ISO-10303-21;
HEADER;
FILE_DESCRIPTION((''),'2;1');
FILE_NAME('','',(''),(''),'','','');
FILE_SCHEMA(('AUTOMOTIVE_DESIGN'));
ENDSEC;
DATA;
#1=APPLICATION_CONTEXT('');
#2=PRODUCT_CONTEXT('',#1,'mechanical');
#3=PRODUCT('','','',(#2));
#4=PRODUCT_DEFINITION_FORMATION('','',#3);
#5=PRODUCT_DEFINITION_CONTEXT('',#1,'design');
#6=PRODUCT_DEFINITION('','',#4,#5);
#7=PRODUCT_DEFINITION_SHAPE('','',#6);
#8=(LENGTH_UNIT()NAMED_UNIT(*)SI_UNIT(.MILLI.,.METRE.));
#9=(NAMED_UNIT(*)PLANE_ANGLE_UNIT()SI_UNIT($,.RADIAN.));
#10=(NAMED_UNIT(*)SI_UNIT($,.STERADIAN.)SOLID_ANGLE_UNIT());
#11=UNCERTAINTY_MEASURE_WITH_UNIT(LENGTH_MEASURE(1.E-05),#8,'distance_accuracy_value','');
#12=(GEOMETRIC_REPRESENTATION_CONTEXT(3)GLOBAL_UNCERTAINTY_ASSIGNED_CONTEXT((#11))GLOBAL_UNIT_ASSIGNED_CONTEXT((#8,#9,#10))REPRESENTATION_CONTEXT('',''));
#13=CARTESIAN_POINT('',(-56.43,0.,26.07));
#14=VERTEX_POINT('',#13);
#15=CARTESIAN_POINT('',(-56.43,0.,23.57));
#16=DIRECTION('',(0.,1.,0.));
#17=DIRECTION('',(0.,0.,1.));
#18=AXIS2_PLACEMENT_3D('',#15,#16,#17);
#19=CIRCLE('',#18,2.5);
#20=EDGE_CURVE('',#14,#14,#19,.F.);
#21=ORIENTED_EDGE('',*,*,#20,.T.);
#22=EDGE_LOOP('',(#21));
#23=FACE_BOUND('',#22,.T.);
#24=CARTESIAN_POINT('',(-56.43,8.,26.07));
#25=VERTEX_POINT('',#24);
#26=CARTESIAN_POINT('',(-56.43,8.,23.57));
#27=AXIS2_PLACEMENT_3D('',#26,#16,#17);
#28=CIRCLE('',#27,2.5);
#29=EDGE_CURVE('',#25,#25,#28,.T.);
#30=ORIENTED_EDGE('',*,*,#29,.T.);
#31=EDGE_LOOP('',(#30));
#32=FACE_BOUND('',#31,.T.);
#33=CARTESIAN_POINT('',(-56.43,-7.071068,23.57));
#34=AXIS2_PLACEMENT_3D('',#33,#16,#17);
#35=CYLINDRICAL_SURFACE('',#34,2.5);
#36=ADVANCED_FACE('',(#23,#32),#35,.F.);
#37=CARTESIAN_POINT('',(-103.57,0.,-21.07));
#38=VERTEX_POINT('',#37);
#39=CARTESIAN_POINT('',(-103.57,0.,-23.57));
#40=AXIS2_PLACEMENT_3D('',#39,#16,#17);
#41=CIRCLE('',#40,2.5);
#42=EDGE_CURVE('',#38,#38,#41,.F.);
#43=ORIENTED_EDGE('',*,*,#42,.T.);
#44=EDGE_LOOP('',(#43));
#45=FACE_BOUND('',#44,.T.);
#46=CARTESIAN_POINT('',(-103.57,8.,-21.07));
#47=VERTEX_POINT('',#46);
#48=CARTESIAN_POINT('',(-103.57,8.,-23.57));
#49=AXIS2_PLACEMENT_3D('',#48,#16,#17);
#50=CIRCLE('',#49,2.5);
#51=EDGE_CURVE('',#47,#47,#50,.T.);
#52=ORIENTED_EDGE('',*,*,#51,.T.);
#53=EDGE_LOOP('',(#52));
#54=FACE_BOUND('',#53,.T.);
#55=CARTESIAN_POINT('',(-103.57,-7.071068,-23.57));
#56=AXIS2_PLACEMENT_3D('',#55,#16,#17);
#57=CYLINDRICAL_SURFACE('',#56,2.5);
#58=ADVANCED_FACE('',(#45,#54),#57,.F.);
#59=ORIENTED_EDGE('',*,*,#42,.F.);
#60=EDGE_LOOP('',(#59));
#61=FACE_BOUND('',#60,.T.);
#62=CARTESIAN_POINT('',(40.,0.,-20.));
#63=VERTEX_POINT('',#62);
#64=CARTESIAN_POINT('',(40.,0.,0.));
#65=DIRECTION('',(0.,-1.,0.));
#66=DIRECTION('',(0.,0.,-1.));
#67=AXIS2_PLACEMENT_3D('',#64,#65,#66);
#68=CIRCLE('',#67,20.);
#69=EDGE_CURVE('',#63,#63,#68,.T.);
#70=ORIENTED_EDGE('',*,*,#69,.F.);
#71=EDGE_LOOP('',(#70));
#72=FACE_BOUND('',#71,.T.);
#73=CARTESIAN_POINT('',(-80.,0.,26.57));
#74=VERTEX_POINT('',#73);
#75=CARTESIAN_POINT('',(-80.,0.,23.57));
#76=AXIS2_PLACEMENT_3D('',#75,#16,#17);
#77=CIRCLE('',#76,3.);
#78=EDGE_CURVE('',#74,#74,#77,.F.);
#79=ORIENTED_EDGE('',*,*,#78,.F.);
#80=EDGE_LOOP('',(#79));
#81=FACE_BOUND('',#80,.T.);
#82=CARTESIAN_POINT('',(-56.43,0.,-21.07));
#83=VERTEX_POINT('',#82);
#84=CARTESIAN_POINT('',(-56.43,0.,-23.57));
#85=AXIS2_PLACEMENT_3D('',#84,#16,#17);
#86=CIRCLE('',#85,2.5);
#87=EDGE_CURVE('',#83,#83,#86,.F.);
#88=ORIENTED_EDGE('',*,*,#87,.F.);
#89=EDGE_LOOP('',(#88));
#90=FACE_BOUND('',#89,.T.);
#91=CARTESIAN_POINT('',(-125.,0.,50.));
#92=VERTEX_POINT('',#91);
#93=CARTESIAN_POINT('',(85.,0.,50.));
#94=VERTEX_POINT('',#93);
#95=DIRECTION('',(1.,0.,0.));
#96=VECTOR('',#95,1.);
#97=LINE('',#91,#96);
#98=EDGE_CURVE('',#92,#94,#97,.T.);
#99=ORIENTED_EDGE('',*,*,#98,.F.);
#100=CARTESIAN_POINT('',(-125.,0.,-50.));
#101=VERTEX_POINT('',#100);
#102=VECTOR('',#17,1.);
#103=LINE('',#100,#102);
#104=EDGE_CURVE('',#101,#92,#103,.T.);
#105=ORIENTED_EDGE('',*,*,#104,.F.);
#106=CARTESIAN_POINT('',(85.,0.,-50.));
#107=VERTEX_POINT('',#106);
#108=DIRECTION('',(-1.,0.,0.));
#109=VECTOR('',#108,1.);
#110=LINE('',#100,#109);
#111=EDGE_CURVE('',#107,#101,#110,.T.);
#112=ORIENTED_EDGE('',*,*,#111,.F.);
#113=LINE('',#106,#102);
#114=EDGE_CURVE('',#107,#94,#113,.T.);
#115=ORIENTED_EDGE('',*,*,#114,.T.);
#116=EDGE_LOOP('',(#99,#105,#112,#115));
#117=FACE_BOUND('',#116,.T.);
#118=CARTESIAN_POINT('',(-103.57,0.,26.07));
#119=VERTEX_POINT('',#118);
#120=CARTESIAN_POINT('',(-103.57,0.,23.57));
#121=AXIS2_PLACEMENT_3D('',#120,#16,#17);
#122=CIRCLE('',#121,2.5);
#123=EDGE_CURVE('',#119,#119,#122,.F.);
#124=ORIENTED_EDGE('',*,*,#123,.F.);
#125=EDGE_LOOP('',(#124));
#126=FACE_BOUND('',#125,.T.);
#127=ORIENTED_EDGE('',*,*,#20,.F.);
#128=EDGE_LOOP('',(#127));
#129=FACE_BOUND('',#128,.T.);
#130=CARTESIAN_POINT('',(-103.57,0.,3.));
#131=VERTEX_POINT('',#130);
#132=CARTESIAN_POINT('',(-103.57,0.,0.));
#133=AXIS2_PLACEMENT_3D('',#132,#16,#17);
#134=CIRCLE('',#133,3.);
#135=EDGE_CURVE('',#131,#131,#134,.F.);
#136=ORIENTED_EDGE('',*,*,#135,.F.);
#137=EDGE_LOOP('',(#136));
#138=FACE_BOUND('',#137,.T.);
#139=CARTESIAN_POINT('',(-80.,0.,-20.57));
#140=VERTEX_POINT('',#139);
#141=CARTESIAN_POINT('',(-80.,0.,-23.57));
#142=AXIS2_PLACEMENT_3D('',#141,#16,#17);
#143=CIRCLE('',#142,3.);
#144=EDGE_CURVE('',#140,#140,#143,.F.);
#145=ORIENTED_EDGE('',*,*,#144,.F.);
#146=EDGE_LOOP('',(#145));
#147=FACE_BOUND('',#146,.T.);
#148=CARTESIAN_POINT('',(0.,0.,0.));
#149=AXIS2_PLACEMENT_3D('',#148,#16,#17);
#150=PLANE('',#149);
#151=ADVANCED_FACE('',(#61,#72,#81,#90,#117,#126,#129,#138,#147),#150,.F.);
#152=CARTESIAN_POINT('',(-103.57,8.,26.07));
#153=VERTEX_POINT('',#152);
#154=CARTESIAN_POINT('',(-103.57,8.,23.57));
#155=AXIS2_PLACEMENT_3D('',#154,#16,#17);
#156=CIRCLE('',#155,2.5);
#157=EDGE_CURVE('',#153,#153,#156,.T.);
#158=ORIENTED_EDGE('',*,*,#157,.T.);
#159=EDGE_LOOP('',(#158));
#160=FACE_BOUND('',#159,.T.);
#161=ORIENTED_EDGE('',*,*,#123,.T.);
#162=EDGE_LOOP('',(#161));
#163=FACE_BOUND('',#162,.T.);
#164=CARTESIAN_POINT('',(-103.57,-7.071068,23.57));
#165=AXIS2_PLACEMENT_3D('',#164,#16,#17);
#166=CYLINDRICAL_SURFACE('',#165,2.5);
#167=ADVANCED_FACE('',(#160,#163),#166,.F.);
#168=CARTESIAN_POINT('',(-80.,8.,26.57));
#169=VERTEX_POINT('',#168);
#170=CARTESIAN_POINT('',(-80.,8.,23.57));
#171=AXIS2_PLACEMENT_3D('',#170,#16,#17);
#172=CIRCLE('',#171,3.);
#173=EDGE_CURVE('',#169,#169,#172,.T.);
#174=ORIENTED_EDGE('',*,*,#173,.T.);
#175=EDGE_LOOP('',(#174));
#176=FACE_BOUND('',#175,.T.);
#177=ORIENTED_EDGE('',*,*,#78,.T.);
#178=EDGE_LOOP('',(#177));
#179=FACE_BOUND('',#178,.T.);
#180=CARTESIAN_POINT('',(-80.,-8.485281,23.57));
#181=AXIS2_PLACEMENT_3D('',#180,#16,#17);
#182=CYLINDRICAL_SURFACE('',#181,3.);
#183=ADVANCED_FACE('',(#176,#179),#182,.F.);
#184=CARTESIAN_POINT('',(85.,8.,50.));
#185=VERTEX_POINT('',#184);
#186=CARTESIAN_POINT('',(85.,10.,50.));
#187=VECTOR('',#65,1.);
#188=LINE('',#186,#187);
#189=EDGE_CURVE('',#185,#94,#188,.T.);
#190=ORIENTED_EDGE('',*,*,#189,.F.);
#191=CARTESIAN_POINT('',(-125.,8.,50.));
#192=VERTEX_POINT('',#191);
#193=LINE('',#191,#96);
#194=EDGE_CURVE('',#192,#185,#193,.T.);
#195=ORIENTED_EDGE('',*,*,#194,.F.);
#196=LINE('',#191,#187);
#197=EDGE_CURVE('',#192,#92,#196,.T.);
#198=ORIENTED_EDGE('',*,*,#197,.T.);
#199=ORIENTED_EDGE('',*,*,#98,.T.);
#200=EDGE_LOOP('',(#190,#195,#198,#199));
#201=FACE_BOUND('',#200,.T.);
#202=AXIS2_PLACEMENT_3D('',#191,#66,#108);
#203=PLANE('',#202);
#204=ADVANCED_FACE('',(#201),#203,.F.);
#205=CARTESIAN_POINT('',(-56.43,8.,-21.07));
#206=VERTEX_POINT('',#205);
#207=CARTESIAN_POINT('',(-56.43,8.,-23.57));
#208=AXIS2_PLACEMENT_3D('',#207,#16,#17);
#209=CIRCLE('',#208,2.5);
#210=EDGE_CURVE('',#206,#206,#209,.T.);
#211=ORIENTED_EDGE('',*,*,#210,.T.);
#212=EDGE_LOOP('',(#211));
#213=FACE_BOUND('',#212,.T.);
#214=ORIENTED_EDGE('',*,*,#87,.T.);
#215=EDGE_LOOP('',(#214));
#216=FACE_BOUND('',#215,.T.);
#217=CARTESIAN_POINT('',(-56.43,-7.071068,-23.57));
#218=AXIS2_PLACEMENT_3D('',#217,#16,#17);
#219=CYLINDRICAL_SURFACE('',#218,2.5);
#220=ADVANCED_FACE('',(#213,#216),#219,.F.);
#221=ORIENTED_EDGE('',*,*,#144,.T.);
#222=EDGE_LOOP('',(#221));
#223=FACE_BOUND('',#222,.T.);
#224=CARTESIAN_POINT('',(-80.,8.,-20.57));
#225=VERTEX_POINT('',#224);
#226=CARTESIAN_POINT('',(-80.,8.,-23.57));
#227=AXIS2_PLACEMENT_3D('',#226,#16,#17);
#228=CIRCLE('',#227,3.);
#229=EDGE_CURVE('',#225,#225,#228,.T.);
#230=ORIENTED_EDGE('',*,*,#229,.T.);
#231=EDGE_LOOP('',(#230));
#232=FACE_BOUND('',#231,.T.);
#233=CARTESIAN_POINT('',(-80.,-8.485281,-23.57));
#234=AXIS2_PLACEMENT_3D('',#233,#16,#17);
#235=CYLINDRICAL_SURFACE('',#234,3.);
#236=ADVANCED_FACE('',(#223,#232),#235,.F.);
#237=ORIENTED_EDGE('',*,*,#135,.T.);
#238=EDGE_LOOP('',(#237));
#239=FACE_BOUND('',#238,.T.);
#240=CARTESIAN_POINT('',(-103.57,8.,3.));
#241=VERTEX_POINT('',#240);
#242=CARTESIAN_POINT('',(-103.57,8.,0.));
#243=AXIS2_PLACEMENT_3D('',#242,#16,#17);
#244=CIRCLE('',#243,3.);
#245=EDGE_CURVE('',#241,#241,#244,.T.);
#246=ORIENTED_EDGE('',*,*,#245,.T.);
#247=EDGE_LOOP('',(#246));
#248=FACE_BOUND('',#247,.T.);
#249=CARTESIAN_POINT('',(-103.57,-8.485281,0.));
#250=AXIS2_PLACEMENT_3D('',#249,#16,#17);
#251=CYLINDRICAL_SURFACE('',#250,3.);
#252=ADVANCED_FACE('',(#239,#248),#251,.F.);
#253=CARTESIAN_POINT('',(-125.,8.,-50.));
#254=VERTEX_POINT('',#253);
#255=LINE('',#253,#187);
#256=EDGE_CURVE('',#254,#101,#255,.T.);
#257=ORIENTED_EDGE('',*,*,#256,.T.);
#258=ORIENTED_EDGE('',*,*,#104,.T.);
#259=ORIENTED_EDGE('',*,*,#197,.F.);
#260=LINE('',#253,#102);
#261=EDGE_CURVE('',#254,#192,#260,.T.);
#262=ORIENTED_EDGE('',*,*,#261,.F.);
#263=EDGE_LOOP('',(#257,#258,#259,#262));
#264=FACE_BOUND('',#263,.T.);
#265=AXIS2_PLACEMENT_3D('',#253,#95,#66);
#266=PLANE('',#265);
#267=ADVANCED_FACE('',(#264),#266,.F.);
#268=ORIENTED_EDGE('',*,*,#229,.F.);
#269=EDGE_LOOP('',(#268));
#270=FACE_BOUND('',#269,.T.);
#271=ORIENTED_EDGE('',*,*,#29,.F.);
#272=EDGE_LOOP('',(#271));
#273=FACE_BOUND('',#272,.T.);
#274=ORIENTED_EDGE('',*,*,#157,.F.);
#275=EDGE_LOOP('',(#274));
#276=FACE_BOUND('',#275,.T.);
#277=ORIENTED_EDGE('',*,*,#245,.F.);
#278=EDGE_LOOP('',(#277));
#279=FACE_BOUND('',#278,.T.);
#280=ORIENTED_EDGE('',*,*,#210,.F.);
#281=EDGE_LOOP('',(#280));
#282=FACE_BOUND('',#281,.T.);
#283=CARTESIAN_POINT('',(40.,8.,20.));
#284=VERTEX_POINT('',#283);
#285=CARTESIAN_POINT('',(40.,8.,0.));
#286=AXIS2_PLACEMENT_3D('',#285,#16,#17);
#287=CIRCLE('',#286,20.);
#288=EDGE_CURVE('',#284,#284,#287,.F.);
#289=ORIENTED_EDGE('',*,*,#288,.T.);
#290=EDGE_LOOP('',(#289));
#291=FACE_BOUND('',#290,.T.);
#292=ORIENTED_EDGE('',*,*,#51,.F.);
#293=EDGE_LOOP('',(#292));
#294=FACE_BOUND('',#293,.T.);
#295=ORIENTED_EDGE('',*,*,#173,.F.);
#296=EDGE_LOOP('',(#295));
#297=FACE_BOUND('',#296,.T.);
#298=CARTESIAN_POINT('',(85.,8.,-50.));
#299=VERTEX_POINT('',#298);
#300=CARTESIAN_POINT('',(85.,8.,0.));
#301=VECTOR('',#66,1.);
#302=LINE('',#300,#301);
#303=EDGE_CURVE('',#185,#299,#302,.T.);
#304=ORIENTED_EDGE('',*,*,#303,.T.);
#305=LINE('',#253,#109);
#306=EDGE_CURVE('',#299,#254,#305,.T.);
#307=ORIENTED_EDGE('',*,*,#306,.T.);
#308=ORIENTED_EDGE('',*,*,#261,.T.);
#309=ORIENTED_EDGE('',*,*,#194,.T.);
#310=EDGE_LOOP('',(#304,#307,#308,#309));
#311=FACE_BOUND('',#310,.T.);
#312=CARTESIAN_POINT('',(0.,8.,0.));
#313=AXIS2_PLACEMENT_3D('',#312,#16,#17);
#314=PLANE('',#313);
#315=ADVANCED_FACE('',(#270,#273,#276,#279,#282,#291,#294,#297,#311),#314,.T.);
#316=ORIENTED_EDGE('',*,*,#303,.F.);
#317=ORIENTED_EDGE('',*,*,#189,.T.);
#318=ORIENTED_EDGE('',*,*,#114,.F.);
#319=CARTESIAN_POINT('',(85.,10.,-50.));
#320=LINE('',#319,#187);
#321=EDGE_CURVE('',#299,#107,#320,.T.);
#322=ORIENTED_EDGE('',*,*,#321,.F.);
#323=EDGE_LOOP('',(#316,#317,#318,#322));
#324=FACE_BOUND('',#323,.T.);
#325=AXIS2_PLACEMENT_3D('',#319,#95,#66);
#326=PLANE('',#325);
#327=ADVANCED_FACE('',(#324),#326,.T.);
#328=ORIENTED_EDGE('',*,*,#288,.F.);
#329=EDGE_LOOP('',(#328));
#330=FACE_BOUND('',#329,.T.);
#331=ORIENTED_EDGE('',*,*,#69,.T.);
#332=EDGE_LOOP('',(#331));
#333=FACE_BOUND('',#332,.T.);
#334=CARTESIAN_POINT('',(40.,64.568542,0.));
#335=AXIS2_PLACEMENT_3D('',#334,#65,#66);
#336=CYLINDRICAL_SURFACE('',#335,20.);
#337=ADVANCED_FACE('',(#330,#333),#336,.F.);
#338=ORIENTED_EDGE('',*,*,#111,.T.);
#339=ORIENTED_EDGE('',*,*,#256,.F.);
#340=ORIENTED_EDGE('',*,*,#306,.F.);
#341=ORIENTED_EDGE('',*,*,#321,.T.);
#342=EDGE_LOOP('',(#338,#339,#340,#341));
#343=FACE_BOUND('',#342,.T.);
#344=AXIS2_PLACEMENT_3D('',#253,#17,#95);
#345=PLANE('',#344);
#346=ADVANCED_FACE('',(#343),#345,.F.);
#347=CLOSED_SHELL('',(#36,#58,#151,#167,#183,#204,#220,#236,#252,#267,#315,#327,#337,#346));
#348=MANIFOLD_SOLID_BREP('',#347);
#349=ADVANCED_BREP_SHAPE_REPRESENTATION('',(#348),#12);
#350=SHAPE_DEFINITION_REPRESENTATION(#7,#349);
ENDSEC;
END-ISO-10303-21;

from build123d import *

# Parameters (mm, degrees)
SKETCH1_W           = 250
SKETCH1_H           = 100
BOSS_EXTRUDE1_DEPTH = 8
SKETCH2_R           = 2.5
CUT_EXTRUDE1_DEPTH  = 8
SKETCH3_R           = 3
CUT_EXTRUDE2_DEPTH  = 8
SKETCH5_W           = 40
SKETCH5_H           = 100
CUT_EXTRUDE3_DEPTH  = 10
SKETCH6_R           = 20
CUT_EXTRUDE4_DEPTH  = 8


with BuildPart() as part:
    # Sketch1 → Boss-Extrude1 (new body)
    with BuildSketch(Plane(origin=(0, 0, 0), x_dir=(1, 0, 0), z_dir=(0, 1, 0))):
        Rectangle(SKETCH1_W, SKETCH1_H)
    extrude(amount=BOSS_EXTRUDE1_DEPTH)

    # Sketch2 → Cut-Extrude1 (cut)
    with BuildSketch(Plane(origin=(0, 8, 0), x_dir=(1, 0, 0), z_dir=(0, 1, 0))):
        with Locations((-103.57, 23.57)):
            Circle(SKETCH2_R)
        with Locations((-56.43, 23.57)):
            Circle(SKETCH2_R)
        with Locations((-56.43, -23.57)):
            Circle(SKETCH2_R)
        with Locations((-103.57, -23.57)):
            Circle(SKETCH2_R)
    extrude(amount=-CUT_EXTRUDE1_DEPTH, mode=Mode.SUBTRACT)

    # Sketch3 → Cut-Extrude2 (cut)
    with BuildSketch(Plane(origin=(0, 8, 0), x_dir=(1, 0, 0), z_dir=(0, 1, 0))):
        with Locations((-80, 23.57)):
            Circle(SKETCH3_R)
        with Locations((-103.57, 0)):
            Circle(SKETCH3_R)
        with Locations((-80, -23.57)):
            Circle(SKETCH3_R)
    extrude(amount=-CUT_EXTRUDE2_DEPTH, mode=Mode.SUBTRACT)

    # Sketch5 → Cut-Extrude3 (cut)
    with BuildSketch(Plane.XZ):
        with Locations((105, 0)):
            Rectangle(SKETCH5_W, SKETCH5_H)
    extrude(amount=-CUT_EXTRUDE3_DEPTH, mode=Mode.SUBTRACT)

    # Sketch6 → Cut-Extrude4 (cut)
    with BuildSketch(Plane.XZ):
        with Locations((40, 0)):
            Circle(SKETCH6_R)
    extrude(amount=-CUT_EXTRUDE4_DEPTH, mode=Mode.SUBTRACT)


solid = part.part
